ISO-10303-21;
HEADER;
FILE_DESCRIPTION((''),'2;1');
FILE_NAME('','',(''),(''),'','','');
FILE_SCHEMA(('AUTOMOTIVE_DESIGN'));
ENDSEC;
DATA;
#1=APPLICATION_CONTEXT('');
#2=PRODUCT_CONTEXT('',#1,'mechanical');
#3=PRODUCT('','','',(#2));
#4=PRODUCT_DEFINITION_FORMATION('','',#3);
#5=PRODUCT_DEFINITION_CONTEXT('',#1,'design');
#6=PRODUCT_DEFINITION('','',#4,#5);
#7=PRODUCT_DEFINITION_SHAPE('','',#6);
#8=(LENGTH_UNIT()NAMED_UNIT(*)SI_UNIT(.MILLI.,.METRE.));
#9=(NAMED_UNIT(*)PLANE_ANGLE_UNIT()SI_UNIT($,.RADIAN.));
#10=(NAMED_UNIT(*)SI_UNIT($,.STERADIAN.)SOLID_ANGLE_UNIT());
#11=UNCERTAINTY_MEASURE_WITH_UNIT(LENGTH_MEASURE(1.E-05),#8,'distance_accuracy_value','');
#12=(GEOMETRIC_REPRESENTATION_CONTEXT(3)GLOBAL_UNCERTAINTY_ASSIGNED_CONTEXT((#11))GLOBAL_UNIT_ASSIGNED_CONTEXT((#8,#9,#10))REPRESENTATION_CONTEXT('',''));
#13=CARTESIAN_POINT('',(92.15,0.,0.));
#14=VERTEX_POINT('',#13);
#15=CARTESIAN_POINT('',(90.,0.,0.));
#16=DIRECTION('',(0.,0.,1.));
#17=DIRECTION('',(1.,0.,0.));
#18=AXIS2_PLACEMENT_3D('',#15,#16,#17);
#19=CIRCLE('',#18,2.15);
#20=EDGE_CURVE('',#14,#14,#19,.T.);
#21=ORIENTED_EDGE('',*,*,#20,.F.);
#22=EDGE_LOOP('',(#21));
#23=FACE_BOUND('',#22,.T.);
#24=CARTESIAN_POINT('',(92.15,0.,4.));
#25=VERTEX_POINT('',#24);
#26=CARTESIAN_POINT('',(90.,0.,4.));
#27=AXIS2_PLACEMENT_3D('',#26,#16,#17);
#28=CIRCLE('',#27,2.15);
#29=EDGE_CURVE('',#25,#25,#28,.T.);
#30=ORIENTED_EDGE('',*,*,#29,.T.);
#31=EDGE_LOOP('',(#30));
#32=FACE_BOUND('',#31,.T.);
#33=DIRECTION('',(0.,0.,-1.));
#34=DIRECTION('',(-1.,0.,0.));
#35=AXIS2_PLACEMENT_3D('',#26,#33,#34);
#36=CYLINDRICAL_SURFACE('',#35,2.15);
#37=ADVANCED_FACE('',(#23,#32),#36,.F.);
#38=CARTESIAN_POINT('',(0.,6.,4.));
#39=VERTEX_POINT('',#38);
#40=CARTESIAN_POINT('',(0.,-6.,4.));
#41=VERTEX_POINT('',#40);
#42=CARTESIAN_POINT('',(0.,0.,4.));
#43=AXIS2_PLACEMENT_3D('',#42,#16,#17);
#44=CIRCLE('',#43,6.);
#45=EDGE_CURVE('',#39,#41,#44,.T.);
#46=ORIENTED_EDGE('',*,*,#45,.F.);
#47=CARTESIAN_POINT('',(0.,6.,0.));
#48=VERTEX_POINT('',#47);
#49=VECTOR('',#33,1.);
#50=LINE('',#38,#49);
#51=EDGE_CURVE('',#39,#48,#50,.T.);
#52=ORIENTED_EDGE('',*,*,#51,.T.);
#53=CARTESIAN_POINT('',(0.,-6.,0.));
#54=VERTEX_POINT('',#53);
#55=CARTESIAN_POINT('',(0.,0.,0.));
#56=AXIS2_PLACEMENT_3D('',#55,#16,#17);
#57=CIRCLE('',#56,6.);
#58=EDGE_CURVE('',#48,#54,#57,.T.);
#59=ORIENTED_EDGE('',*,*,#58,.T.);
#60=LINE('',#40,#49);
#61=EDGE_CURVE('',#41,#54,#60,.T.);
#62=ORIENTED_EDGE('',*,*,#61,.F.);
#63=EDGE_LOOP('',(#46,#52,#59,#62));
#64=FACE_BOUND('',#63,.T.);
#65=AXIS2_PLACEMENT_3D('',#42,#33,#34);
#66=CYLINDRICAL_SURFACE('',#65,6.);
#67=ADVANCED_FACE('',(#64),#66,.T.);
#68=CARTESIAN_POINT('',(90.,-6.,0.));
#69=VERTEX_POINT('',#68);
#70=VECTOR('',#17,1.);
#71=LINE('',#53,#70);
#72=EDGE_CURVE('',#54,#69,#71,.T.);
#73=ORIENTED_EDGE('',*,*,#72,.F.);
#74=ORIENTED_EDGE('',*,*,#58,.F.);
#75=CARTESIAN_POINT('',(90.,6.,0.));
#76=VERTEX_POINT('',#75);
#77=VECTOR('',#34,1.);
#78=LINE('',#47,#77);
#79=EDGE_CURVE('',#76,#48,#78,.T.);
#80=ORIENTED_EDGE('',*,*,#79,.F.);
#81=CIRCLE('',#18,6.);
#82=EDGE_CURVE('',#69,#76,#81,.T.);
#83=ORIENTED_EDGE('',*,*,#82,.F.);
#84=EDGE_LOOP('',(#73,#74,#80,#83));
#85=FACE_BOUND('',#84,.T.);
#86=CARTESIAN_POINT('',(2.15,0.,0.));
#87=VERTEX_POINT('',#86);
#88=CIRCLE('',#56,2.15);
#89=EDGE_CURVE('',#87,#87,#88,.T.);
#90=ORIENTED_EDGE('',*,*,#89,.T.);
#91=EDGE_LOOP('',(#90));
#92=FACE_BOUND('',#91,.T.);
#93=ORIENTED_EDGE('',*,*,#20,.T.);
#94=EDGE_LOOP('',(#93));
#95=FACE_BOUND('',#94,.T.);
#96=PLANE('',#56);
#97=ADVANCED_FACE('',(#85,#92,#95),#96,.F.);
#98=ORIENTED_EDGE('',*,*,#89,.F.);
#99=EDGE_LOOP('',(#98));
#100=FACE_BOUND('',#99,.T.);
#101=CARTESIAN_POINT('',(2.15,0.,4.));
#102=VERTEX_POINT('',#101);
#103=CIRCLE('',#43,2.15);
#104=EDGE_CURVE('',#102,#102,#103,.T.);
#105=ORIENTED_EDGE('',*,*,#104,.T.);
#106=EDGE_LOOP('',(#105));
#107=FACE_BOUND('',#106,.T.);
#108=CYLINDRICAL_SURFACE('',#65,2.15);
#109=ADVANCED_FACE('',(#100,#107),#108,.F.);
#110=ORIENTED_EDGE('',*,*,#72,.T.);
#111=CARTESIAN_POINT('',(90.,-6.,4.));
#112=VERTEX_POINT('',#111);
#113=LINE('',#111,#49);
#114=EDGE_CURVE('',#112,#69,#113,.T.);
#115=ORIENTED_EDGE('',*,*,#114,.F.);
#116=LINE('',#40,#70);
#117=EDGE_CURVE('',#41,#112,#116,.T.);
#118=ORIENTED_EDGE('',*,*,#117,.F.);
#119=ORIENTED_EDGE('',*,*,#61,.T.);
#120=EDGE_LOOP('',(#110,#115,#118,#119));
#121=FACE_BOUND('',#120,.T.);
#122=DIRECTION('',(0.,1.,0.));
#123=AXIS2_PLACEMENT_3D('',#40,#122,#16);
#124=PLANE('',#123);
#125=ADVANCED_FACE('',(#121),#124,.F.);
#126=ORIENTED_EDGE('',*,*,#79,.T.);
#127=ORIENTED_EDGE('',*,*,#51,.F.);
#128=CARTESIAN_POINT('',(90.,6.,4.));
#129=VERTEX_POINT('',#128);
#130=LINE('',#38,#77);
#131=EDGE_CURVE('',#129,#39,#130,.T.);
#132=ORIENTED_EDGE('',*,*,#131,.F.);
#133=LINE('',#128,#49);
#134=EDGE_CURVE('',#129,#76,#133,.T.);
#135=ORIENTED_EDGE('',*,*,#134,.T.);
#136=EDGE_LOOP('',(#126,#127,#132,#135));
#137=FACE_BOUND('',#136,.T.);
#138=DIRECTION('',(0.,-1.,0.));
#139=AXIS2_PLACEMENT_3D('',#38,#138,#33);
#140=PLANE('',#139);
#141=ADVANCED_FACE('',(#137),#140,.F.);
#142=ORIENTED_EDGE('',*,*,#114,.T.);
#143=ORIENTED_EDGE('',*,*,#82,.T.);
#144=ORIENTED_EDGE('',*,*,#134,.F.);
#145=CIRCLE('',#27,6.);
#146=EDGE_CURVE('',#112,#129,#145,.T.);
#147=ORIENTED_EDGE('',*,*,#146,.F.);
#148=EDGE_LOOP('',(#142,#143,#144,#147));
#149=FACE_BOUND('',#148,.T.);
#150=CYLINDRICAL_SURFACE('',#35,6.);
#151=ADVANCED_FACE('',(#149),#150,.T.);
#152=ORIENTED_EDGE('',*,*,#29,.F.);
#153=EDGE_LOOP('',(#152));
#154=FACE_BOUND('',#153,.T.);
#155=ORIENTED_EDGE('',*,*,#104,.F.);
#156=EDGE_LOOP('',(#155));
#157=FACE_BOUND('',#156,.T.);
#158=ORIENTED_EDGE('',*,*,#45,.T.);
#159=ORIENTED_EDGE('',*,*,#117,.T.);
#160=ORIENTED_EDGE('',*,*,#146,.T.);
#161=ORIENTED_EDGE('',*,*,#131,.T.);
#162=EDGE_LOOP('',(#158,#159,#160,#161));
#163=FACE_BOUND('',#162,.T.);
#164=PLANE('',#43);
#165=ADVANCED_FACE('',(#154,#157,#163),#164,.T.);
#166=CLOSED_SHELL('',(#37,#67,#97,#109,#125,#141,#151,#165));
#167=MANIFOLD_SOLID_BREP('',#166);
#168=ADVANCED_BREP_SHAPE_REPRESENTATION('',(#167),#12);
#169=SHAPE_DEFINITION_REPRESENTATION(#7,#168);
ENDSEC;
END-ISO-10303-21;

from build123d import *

# Parameters (mm, degrees)
SKETCH_1_R      = 2.15
EXTRUDE_1_DEPTH = 4


with BuildPart() as part:
    # 草图1 → 凸台-拉伸1 (new body)
    with BuildSketch(Plane.XY):
        with BuildLine():
            Line((0, 6), (90, 6))
            ThreePointArc((90, 6), (96, 0), (90, -6))
            Line((90, -6), (0, -6))
            ThreePointArc((0, -6), (-6, 0), (0, 6))
        make_face()
        Circle(SKETCH_1_R, mode=Mode.SUBTRACT)
        with Locations((90, 0)):
            Circle(SKETCH_1_R, mode=Mode.SUBTRACT)
    extrude(amount=EXTRUDE_1_DEPTH)


solid = part.part
